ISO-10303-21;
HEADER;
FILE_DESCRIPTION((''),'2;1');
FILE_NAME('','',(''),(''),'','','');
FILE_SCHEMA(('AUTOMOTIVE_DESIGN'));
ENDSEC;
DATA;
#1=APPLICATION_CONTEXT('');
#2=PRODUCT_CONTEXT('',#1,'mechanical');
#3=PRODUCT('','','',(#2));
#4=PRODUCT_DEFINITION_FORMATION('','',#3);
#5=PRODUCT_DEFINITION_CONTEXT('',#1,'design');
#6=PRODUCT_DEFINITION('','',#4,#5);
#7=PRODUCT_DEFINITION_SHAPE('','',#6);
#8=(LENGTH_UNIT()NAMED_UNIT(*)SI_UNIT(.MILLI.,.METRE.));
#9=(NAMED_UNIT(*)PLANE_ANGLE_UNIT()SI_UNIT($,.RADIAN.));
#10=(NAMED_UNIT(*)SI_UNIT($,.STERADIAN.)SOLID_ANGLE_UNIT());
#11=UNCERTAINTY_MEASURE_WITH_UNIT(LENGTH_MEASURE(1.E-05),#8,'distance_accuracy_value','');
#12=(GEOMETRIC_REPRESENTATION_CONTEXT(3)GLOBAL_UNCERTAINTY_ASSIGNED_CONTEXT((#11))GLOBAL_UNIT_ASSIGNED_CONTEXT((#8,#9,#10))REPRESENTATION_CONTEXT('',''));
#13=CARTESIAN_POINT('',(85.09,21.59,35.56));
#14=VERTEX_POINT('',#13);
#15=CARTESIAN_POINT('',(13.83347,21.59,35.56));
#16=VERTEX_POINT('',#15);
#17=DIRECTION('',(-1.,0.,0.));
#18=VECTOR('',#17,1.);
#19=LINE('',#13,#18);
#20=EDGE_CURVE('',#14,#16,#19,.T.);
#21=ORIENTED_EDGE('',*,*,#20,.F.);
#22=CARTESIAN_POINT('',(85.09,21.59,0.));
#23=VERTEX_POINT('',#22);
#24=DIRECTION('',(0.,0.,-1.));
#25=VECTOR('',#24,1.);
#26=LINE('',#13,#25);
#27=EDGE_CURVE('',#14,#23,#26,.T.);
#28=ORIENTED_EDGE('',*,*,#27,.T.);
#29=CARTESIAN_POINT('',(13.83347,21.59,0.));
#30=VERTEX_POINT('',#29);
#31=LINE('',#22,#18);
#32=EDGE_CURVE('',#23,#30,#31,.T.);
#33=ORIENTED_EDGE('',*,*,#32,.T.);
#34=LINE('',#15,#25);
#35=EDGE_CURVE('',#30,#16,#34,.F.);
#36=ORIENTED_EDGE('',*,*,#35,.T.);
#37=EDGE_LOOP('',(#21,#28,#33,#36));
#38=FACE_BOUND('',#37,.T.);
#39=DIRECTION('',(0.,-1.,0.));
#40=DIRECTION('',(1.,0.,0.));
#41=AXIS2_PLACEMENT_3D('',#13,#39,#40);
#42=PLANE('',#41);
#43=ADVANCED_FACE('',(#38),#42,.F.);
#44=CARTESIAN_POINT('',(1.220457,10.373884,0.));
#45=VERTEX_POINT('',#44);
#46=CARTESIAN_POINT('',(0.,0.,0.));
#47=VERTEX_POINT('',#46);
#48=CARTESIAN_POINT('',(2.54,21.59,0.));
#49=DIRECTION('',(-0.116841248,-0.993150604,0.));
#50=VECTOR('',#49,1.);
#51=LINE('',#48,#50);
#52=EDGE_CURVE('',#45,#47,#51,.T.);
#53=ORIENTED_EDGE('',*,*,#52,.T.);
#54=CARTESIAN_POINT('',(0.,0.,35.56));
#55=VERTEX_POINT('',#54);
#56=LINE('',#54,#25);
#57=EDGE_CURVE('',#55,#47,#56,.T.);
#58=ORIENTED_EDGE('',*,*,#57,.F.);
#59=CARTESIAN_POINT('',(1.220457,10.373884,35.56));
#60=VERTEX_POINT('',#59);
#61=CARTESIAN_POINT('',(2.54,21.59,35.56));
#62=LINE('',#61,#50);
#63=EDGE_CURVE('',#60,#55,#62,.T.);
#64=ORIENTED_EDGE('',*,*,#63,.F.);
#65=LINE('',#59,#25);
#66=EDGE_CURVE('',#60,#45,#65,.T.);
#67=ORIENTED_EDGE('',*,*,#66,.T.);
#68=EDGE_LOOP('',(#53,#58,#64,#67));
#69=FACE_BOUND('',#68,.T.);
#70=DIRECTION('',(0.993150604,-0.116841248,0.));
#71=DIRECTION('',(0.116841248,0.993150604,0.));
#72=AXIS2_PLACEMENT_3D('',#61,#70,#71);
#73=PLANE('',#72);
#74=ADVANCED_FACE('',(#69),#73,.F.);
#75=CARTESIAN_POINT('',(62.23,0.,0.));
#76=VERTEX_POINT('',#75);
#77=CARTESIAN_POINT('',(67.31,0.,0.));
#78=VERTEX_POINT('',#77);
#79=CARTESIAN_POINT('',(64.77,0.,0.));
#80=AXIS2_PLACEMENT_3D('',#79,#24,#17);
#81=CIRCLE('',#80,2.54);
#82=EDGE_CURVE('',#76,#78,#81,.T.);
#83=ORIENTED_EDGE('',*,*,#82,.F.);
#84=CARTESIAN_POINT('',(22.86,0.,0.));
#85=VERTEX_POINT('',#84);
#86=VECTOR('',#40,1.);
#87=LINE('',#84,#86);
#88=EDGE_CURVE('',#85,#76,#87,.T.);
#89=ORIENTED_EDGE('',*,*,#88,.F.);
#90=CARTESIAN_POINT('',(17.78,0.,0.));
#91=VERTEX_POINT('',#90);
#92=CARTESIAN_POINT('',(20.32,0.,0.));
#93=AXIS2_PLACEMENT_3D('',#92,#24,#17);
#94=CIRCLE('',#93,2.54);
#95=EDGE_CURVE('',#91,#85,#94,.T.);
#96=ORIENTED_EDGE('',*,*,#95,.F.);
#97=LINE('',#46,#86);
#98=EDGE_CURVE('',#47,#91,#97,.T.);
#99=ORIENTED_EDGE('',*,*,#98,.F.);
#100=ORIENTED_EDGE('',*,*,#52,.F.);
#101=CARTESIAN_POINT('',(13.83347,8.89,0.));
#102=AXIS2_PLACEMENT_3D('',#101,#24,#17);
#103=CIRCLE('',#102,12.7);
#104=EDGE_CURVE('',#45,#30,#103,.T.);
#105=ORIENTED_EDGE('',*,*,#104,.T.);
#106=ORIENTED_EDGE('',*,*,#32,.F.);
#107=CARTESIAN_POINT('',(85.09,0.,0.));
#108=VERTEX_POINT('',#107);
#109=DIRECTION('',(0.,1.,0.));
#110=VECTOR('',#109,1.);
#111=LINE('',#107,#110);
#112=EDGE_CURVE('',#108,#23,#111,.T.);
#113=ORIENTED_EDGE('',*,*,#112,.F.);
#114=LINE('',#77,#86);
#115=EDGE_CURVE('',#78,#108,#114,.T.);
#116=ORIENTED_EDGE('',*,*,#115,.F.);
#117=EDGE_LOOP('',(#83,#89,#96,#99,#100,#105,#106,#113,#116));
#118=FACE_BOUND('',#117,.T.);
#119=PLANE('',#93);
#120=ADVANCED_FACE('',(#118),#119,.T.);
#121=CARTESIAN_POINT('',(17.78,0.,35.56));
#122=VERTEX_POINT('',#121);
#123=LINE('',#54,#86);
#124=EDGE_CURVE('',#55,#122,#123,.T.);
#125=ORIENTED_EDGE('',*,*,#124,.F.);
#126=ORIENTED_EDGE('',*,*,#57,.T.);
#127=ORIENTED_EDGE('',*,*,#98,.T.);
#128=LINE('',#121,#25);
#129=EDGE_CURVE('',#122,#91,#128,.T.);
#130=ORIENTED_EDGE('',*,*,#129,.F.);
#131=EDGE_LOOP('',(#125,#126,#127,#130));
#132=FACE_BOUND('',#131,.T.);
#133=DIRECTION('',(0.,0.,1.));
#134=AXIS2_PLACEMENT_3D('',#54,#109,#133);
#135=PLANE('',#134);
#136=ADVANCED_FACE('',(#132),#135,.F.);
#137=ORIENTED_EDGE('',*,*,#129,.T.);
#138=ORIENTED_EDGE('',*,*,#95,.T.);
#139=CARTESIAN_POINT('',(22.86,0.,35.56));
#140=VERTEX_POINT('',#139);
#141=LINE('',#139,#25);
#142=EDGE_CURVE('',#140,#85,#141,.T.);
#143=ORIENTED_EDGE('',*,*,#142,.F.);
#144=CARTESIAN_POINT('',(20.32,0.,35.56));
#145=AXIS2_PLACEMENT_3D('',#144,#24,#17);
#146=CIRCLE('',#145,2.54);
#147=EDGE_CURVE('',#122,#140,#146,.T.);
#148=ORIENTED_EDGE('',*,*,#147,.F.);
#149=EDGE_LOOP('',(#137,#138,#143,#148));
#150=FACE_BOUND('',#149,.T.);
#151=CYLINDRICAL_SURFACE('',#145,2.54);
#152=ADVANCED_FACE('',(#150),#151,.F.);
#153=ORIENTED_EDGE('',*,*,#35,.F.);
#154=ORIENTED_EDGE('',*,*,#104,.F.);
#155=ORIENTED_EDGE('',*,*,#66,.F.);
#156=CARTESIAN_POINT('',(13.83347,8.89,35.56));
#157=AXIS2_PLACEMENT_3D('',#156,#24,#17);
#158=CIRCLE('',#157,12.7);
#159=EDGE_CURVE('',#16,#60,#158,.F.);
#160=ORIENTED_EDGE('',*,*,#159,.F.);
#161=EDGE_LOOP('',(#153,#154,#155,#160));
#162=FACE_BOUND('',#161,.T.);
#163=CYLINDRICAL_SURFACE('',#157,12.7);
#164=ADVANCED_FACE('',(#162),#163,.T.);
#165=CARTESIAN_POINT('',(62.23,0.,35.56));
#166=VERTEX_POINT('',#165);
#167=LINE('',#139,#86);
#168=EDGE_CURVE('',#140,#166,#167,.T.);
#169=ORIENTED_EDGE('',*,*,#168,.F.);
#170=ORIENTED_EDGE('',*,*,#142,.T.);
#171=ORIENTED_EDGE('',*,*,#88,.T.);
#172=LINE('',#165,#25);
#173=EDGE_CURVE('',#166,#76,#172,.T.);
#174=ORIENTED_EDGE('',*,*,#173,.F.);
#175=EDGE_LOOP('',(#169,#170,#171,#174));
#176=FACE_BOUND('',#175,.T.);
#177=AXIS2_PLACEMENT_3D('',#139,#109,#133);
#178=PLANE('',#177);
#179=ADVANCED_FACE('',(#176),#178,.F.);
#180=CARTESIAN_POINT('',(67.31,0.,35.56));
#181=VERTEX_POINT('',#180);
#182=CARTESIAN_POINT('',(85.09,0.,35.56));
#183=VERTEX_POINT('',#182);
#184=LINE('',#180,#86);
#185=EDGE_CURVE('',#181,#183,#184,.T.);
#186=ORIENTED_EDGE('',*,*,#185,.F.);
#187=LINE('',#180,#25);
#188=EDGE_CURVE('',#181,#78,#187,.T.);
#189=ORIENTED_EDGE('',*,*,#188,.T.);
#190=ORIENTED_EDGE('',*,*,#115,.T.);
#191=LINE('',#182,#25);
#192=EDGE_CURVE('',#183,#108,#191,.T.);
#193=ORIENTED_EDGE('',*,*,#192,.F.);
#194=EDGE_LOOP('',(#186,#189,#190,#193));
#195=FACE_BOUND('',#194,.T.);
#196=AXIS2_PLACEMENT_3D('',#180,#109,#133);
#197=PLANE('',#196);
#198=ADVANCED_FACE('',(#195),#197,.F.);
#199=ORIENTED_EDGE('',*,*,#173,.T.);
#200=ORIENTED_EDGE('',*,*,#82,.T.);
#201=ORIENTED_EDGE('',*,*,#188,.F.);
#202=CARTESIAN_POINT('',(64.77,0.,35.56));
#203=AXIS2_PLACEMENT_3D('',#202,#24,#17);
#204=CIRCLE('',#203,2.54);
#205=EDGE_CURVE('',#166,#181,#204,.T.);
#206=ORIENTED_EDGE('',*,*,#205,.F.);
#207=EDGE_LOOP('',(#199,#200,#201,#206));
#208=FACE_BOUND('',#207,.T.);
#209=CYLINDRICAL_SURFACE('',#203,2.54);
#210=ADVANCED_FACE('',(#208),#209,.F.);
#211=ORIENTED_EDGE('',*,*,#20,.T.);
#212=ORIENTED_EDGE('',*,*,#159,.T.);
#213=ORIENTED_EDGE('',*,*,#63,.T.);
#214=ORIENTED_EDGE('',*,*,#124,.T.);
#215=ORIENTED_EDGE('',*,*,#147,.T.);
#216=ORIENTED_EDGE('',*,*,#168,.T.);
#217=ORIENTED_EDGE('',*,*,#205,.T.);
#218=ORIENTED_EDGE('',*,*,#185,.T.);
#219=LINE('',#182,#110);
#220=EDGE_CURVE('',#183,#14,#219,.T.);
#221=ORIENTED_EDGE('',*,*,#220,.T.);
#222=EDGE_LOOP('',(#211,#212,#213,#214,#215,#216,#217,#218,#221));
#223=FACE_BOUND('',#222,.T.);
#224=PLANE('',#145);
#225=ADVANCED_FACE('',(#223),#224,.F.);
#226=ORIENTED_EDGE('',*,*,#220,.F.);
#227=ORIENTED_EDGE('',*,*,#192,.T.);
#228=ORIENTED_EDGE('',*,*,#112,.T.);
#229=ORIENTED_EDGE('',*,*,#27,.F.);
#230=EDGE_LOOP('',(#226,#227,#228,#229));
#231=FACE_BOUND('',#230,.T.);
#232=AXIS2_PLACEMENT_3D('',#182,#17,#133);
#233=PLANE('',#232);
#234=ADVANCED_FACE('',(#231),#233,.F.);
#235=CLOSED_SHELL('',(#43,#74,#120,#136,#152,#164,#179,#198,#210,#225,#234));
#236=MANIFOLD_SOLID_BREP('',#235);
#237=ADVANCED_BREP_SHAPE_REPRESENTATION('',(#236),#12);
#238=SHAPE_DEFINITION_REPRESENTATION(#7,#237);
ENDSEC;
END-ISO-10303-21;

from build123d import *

# Parameters (mm, degrees)
BOSS_EXTRUDE1_DEPTH = 35.56
FILLET1_R           = 12.7


with BuildPart() as part:
    # Sketch1 → Boss-Extrude1 (new body)
    with BuildSketch(Plane.XY):
        with BuildLine():
            Line((85.09, 0), (85.09, 21.59))
            Line((85.09, 21.59), (2.54, 21.59))
            Line((2.54, 21.59), (0, 0))
            Line((0, 0), (17.78, 0))
            ThreePointArc((17.78, 0), (20.32, 2.54), (22.86, 0))
            Line((22.86, 0), (62.23, 0))
            ThreePointArc((62.23, 0), (64.77, 2.54), (67.31, 0))
            Line((67.31, 0), (85.09, 0))
        make_face()
    extrude(amount=BOSS_EXTRUDE1_DEPTH)

    # Fillet1
    fillet1_edges = [part.edges().sort_by_distance(p)[0] for p in [
        (2.54, 21.59, 17.78),
    ]]
    fillet(fillet1_edges, radius=FILLET1_R)


solid = part.part
